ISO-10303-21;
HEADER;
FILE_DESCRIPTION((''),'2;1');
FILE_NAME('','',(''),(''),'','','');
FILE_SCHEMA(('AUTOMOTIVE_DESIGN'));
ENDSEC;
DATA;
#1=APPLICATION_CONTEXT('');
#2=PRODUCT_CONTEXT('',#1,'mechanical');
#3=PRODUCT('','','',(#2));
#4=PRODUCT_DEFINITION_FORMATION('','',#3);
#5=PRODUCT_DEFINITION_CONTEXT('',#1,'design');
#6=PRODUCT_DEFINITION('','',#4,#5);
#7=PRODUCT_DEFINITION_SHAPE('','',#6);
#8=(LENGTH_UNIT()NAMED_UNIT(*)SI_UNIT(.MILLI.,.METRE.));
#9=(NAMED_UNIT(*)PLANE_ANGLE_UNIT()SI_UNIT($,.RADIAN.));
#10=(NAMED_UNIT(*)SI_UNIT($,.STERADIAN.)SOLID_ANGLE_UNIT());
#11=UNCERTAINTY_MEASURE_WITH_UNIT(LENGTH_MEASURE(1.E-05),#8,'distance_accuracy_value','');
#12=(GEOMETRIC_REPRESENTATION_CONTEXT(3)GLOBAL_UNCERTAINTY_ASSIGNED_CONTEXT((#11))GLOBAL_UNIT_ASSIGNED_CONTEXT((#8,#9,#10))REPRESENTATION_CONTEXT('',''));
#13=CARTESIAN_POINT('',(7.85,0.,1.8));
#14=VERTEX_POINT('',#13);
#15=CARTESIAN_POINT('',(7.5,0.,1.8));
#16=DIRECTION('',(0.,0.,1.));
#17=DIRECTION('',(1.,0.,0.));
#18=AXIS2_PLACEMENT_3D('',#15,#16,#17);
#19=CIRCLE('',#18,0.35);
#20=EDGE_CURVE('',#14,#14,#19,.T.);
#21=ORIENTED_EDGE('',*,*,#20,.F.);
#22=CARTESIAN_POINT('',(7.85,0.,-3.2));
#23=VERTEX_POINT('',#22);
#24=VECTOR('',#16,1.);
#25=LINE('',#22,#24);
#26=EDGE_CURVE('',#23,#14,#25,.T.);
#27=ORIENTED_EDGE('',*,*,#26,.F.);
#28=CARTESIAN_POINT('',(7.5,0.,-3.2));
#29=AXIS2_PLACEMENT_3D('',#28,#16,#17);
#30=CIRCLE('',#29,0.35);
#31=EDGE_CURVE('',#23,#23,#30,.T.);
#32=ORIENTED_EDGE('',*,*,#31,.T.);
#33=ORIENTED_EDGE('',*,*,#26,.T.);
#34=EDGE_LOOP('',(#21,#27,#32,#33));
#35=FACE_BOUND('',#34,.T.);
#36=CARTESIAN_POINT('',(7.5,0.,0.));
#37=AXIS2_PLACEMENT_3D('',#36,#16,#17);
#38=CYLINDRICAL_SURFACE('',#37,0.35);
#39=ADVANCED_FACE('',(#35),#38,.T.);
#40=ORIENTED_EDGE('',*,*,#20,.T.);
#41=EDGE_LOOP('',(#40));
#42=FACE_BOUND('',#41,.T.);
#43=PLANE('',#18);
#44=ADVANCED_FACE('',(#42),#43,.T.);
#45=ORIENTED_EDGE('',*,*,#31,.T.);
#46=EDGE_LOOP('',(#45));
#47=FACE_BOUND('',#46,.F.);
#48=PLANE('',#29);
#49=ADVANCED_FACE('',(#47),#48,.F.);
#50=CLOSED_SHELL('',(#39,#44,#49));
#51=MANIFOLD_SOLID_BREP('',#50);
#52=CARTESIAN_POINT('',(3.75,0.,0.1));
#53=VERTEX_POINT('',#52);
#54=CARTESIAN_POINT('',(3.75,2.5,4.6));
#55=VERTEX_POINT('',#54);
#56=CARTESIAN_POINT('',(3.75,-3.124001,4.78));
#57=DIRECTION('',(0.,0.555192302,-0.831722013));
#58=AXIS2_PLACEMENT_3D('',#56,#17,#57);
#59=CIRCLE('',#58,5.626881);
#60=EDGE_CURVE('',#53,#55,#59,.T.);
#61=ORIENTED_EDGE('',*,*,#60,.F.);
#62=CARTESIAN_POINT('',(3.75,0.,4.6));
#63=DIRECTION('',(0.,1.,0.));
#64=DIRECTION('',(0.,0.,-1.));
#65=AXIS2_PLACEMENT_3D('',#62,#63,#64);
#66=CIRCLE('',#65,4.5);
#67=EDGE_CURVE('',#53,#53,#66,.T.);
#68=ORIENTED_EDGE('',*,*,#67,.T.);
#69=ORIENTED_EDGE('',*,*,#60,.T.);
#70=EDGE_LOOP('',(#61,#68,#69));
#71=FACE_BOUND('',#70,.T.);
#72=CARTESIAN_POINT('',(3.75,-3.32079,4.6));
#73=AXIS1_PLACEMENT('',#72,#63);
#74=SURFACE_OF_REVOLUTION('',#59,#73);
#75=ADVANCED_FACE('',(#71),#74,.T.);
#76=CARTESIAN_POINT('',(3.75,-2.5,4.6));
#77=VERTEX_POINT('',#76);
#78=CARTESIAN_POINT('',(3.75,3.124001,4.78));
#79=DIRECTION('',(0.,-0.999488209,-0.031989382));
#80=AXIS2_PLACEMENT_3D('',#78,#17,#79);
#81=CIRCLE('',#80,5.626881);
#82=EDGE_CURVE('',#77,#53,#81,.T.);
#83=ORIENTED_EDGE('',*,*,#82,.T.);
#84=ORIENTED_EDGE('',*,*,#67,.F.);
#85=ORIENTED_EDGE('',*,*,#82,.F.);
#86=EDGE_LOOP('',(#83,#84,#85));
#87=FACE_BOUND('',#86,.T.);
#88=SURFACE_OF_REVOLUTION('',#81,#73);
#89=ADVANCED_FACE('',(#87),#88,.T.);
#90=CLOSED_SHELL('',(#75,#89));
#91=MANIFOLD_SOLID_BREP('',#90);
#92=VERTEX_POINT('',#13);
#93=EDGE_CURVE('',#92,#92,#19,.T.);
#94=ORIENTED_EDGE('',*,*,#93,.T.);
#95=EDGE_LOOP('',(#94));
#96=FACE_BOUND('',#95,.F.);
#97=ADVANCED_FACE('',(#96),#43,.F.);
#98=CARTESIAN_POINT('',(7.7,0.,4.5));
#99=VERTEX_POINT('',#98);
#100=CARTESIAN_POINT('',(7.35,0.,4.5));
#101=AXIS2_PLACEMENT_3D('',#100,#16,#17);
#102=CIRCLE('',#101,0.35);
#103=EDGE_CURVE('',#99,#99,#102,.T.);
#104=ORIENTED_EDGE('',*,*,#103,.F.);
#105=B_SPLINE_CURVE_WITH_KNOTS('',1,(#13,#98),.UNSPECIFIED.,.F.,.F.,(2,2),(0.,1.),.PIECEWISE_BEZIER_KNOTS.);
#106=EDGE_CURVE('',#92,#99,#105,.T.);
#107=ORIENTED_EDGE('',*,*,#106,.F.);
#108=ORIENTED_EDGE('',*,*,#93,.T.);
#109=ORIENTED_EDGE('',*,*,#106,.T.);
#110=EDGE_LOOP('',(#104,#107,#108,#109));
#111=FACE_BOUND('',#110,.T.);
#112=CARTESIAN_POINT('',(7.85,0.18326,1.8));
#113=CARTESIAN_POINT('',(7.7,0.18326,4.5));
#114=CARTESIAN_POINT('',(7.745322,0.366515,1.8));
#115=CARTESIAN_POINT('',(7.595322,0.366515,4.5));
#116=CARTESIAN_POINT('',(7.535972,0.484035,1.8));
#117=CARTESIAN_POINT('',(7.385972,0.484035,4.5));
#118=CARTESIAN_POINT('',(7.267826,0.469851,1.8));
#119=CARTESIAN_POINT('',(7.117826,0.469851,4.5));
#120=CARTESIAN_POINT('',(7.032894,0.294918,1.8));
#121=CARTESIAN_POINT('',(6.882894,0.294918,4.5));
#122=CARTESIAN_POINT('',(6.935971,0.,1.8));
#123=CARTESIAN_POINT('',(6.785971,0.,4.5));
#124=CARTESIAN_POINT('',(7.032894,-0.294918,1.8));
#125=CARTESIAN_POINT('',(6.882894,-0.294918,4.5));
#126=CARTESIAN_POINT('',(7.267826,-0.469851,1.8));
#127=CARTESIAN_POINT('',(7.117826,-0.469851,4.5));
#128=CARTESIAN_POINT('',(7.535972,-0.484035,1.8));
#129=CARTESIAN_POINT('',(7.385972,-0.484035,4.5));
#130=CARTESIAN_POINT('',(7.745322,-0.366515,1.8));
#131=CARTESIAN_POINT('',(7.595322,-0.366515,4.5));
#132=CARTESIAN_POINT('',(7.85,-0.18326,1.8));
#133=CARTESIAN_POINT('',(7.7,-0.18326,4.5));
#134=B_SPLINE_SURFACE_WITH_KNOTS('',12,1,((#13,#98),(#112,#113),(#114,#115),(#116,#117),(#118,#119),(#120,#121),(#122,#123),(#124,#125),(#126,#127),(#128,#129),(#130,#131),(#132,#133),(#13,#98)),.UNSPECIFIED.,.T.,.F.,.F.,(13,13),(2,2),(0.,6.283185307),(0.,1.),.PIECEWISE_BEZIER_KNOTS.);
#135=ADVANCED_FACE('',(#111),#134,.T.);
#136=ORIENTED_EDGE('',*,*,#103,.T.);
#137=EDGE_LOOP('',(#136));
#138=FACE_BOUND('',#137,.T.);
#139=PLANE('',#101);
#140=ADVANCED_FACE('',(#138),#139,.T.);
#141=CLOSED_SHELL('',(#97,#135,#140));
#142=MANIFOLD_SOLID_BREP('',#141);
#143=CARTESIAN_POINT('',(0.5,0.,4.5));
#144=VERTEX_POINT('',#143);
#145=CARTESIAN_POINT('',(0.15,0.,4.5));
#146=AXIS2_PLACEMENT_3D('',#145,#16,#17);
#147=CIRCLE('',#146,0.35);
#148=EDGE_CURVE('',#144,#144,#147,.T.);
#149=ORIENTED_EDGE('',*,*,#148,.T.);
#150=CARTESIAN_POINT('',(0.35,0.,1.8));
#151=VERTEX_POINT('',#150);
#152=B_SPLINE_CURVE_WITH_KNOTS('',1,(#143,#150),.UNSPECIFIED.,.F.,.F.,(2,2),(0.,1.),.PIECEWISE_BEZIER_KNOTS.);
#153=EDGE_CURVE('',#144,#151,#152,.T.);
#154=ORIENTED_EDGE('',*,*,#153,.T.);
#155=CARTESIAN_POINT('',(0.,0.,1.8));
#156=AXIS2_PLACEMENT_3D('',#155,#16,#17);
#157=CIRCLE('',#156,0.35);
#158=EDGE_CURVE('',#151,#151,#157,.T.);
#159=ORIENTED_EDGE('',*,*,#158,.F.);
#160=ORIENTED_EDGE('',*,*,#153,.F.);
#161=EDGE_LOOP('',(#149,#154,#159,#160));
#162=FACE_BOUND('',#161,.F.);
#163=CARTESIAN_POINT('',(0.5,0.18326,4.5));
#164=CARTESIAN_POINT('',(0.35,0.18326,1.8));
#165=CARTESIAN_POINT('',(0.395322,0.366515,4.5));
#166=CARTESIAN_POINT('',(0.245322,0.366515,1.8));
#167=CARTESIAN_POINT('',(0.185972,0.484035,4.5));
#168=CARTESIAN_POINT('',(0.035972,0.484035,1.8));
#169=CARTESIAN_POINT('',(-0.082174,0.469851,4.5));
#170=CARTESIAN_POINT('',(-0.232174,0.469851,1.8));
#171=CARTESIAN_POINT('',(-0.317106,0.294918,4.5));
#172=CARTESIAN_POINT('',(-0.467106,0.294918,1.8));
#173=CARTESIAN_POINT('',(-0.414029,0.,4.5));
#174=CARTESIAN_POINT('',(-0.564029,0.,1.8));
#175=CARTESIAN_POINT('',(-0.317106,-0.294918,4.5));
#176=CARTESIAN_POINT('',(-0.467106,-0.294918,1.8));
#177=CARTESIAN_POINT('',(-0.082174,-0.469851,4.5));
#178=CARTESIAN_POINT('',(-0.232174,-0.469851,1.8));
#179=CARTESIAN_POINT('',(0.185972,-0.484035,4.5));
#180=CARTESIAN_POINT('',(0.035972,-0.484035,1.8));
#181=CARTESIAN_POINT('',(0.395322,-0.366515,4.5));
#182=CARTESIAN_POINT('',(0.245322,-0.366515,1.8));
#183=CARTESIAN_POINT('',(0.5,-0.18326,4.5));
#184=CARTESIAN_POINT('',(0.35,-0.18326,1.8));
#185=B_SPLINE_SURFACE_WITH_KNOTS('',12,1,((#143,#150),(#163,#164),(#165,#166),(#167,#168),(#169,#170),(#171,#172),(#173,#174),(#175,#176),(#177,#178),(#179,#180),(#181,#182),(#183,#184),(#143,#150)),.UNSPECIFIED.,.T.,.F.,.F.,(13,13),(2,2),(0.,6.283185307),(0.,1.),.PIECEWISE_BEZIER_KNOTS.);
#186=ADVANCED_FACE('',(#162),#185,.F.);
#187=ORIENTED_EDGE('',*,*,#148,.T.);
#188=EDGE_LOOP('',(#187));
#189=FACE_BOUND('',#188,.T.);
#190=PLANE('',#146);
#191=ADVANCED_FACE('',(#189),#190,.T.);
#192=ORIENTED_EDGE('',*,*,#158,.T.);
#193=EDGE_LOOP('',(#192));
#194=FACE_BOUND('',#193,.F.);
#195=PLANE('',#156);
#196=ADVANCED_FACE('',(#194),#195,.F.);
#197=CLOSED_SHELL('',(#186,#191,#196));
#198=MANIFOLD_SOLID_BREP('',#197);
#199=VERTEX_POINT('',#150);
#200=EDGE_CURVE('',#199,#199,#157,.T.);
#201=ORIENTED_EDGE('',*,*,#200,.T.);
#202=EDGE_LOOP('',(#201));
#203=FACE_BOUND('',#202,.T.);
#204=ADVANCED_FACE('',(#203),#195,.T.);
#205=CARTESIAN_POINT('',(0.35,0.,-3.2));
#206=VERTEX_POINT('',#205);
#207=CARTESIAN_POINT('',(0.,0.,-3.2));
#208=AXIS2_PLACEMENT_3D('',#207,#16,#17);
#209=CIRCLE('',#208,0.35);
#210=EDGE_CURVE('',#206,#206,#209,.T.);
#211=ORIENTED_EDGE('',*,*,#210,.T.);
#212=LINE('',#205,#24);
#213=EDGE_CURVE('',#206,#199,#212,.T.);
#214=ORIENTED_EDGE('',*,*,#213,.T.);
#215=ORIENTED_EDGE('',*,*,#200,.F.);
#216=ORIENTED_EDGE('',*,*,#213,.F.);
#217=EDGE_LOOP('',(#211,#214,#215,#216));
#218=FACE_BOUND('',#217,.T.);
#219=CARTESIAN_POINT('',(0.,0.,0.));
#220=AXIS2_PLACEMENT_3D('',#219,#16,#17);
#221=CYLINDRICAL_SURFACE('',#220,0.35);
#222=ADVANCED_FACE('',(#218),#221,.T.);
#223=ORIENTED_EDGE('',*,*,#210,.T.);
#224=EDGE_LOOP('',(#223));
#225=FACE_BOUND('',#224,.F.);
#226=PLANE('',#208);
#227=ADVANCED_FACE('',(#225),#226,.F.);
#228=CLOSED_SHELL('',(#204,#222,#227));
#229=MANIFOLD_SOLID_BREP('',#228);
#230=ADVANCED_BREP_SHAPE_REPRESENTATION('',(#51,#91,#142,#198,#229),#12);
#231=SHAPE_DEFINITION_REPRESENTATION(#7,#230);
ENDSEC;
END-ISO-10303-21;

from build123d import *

# Parameters (mm, degrees)
SKETCH001_R       = 0.35
PAD001_DEPTH      = 1.8
PAD001_DEPTH_BACK = 3.2
SKETCH002_R       = 0.35
SKETCH003_R       = 0.35
SKETCH004_R       = 0.35
SKETCH005_R       = 0.35


with BuildPart() as pad001:
    # Sketch001 → Pad001 (new body, two sides)
    with BuildSketch(Plane.XY) as pad001_sk:
        Circle(SKETCH001_R)
        with Locations((7.5, 0)):
            Circle(SKETCH001_R)
    extrude(amount=PAD001_DEPTH)
    extrude(pad001_sk.sketch, amount=-PAD001_DEPTH_BACK)


with BuildPart() as revolution:
    # Sketch → Revolution (revolve)
    with BuildSketch(Plane.YZ.offset(3.75)):
        with BuildLine():
            Line((-2.5, 4.6), (2.5, 4.6))
            ThreePointArc((0, 0.1), (1.794778, 2.047346), (2.5, 4.6))
            ThreePointArc((-2.5, 4.6), (-1.794778, 2.047346), (0, 0.1))
        make_face()
    revolve(axis=Axis((3.75, -3.32079, 4.6), (0, 1, 0)))


with BuildPart() as loft_body:
    # Sketch002 → Loft section 0
    with BuildSketch(Plane.XY.offset(4.5)):
        with Locations((0.15, 0)):
            Circle(SKETCH002_R)
    # Sketch003 → Loft section 1
    with BuildSketch(Plane.XY.offset(1.8)):
        Circle(SKETCH003_R)
    loft()


with BuildPart() as loft001:
    # Sketch004 → Loft001 section 0
    with BuildSketch(Plane.XY.offset(1.8)):
        with Locations((7.5, 0)):
            Circle(SKETCH004_R)
    # Sketch005 → Loft001 section 1
    with BuildSketch(Plane.XY.offset(4.5)):
        with Locations((7.35, 0)):
            Circle(SKETCH005_R)
    loft()


solid = Compound([pad001.part, revolution.part, loft_body.part, loft001.part])
